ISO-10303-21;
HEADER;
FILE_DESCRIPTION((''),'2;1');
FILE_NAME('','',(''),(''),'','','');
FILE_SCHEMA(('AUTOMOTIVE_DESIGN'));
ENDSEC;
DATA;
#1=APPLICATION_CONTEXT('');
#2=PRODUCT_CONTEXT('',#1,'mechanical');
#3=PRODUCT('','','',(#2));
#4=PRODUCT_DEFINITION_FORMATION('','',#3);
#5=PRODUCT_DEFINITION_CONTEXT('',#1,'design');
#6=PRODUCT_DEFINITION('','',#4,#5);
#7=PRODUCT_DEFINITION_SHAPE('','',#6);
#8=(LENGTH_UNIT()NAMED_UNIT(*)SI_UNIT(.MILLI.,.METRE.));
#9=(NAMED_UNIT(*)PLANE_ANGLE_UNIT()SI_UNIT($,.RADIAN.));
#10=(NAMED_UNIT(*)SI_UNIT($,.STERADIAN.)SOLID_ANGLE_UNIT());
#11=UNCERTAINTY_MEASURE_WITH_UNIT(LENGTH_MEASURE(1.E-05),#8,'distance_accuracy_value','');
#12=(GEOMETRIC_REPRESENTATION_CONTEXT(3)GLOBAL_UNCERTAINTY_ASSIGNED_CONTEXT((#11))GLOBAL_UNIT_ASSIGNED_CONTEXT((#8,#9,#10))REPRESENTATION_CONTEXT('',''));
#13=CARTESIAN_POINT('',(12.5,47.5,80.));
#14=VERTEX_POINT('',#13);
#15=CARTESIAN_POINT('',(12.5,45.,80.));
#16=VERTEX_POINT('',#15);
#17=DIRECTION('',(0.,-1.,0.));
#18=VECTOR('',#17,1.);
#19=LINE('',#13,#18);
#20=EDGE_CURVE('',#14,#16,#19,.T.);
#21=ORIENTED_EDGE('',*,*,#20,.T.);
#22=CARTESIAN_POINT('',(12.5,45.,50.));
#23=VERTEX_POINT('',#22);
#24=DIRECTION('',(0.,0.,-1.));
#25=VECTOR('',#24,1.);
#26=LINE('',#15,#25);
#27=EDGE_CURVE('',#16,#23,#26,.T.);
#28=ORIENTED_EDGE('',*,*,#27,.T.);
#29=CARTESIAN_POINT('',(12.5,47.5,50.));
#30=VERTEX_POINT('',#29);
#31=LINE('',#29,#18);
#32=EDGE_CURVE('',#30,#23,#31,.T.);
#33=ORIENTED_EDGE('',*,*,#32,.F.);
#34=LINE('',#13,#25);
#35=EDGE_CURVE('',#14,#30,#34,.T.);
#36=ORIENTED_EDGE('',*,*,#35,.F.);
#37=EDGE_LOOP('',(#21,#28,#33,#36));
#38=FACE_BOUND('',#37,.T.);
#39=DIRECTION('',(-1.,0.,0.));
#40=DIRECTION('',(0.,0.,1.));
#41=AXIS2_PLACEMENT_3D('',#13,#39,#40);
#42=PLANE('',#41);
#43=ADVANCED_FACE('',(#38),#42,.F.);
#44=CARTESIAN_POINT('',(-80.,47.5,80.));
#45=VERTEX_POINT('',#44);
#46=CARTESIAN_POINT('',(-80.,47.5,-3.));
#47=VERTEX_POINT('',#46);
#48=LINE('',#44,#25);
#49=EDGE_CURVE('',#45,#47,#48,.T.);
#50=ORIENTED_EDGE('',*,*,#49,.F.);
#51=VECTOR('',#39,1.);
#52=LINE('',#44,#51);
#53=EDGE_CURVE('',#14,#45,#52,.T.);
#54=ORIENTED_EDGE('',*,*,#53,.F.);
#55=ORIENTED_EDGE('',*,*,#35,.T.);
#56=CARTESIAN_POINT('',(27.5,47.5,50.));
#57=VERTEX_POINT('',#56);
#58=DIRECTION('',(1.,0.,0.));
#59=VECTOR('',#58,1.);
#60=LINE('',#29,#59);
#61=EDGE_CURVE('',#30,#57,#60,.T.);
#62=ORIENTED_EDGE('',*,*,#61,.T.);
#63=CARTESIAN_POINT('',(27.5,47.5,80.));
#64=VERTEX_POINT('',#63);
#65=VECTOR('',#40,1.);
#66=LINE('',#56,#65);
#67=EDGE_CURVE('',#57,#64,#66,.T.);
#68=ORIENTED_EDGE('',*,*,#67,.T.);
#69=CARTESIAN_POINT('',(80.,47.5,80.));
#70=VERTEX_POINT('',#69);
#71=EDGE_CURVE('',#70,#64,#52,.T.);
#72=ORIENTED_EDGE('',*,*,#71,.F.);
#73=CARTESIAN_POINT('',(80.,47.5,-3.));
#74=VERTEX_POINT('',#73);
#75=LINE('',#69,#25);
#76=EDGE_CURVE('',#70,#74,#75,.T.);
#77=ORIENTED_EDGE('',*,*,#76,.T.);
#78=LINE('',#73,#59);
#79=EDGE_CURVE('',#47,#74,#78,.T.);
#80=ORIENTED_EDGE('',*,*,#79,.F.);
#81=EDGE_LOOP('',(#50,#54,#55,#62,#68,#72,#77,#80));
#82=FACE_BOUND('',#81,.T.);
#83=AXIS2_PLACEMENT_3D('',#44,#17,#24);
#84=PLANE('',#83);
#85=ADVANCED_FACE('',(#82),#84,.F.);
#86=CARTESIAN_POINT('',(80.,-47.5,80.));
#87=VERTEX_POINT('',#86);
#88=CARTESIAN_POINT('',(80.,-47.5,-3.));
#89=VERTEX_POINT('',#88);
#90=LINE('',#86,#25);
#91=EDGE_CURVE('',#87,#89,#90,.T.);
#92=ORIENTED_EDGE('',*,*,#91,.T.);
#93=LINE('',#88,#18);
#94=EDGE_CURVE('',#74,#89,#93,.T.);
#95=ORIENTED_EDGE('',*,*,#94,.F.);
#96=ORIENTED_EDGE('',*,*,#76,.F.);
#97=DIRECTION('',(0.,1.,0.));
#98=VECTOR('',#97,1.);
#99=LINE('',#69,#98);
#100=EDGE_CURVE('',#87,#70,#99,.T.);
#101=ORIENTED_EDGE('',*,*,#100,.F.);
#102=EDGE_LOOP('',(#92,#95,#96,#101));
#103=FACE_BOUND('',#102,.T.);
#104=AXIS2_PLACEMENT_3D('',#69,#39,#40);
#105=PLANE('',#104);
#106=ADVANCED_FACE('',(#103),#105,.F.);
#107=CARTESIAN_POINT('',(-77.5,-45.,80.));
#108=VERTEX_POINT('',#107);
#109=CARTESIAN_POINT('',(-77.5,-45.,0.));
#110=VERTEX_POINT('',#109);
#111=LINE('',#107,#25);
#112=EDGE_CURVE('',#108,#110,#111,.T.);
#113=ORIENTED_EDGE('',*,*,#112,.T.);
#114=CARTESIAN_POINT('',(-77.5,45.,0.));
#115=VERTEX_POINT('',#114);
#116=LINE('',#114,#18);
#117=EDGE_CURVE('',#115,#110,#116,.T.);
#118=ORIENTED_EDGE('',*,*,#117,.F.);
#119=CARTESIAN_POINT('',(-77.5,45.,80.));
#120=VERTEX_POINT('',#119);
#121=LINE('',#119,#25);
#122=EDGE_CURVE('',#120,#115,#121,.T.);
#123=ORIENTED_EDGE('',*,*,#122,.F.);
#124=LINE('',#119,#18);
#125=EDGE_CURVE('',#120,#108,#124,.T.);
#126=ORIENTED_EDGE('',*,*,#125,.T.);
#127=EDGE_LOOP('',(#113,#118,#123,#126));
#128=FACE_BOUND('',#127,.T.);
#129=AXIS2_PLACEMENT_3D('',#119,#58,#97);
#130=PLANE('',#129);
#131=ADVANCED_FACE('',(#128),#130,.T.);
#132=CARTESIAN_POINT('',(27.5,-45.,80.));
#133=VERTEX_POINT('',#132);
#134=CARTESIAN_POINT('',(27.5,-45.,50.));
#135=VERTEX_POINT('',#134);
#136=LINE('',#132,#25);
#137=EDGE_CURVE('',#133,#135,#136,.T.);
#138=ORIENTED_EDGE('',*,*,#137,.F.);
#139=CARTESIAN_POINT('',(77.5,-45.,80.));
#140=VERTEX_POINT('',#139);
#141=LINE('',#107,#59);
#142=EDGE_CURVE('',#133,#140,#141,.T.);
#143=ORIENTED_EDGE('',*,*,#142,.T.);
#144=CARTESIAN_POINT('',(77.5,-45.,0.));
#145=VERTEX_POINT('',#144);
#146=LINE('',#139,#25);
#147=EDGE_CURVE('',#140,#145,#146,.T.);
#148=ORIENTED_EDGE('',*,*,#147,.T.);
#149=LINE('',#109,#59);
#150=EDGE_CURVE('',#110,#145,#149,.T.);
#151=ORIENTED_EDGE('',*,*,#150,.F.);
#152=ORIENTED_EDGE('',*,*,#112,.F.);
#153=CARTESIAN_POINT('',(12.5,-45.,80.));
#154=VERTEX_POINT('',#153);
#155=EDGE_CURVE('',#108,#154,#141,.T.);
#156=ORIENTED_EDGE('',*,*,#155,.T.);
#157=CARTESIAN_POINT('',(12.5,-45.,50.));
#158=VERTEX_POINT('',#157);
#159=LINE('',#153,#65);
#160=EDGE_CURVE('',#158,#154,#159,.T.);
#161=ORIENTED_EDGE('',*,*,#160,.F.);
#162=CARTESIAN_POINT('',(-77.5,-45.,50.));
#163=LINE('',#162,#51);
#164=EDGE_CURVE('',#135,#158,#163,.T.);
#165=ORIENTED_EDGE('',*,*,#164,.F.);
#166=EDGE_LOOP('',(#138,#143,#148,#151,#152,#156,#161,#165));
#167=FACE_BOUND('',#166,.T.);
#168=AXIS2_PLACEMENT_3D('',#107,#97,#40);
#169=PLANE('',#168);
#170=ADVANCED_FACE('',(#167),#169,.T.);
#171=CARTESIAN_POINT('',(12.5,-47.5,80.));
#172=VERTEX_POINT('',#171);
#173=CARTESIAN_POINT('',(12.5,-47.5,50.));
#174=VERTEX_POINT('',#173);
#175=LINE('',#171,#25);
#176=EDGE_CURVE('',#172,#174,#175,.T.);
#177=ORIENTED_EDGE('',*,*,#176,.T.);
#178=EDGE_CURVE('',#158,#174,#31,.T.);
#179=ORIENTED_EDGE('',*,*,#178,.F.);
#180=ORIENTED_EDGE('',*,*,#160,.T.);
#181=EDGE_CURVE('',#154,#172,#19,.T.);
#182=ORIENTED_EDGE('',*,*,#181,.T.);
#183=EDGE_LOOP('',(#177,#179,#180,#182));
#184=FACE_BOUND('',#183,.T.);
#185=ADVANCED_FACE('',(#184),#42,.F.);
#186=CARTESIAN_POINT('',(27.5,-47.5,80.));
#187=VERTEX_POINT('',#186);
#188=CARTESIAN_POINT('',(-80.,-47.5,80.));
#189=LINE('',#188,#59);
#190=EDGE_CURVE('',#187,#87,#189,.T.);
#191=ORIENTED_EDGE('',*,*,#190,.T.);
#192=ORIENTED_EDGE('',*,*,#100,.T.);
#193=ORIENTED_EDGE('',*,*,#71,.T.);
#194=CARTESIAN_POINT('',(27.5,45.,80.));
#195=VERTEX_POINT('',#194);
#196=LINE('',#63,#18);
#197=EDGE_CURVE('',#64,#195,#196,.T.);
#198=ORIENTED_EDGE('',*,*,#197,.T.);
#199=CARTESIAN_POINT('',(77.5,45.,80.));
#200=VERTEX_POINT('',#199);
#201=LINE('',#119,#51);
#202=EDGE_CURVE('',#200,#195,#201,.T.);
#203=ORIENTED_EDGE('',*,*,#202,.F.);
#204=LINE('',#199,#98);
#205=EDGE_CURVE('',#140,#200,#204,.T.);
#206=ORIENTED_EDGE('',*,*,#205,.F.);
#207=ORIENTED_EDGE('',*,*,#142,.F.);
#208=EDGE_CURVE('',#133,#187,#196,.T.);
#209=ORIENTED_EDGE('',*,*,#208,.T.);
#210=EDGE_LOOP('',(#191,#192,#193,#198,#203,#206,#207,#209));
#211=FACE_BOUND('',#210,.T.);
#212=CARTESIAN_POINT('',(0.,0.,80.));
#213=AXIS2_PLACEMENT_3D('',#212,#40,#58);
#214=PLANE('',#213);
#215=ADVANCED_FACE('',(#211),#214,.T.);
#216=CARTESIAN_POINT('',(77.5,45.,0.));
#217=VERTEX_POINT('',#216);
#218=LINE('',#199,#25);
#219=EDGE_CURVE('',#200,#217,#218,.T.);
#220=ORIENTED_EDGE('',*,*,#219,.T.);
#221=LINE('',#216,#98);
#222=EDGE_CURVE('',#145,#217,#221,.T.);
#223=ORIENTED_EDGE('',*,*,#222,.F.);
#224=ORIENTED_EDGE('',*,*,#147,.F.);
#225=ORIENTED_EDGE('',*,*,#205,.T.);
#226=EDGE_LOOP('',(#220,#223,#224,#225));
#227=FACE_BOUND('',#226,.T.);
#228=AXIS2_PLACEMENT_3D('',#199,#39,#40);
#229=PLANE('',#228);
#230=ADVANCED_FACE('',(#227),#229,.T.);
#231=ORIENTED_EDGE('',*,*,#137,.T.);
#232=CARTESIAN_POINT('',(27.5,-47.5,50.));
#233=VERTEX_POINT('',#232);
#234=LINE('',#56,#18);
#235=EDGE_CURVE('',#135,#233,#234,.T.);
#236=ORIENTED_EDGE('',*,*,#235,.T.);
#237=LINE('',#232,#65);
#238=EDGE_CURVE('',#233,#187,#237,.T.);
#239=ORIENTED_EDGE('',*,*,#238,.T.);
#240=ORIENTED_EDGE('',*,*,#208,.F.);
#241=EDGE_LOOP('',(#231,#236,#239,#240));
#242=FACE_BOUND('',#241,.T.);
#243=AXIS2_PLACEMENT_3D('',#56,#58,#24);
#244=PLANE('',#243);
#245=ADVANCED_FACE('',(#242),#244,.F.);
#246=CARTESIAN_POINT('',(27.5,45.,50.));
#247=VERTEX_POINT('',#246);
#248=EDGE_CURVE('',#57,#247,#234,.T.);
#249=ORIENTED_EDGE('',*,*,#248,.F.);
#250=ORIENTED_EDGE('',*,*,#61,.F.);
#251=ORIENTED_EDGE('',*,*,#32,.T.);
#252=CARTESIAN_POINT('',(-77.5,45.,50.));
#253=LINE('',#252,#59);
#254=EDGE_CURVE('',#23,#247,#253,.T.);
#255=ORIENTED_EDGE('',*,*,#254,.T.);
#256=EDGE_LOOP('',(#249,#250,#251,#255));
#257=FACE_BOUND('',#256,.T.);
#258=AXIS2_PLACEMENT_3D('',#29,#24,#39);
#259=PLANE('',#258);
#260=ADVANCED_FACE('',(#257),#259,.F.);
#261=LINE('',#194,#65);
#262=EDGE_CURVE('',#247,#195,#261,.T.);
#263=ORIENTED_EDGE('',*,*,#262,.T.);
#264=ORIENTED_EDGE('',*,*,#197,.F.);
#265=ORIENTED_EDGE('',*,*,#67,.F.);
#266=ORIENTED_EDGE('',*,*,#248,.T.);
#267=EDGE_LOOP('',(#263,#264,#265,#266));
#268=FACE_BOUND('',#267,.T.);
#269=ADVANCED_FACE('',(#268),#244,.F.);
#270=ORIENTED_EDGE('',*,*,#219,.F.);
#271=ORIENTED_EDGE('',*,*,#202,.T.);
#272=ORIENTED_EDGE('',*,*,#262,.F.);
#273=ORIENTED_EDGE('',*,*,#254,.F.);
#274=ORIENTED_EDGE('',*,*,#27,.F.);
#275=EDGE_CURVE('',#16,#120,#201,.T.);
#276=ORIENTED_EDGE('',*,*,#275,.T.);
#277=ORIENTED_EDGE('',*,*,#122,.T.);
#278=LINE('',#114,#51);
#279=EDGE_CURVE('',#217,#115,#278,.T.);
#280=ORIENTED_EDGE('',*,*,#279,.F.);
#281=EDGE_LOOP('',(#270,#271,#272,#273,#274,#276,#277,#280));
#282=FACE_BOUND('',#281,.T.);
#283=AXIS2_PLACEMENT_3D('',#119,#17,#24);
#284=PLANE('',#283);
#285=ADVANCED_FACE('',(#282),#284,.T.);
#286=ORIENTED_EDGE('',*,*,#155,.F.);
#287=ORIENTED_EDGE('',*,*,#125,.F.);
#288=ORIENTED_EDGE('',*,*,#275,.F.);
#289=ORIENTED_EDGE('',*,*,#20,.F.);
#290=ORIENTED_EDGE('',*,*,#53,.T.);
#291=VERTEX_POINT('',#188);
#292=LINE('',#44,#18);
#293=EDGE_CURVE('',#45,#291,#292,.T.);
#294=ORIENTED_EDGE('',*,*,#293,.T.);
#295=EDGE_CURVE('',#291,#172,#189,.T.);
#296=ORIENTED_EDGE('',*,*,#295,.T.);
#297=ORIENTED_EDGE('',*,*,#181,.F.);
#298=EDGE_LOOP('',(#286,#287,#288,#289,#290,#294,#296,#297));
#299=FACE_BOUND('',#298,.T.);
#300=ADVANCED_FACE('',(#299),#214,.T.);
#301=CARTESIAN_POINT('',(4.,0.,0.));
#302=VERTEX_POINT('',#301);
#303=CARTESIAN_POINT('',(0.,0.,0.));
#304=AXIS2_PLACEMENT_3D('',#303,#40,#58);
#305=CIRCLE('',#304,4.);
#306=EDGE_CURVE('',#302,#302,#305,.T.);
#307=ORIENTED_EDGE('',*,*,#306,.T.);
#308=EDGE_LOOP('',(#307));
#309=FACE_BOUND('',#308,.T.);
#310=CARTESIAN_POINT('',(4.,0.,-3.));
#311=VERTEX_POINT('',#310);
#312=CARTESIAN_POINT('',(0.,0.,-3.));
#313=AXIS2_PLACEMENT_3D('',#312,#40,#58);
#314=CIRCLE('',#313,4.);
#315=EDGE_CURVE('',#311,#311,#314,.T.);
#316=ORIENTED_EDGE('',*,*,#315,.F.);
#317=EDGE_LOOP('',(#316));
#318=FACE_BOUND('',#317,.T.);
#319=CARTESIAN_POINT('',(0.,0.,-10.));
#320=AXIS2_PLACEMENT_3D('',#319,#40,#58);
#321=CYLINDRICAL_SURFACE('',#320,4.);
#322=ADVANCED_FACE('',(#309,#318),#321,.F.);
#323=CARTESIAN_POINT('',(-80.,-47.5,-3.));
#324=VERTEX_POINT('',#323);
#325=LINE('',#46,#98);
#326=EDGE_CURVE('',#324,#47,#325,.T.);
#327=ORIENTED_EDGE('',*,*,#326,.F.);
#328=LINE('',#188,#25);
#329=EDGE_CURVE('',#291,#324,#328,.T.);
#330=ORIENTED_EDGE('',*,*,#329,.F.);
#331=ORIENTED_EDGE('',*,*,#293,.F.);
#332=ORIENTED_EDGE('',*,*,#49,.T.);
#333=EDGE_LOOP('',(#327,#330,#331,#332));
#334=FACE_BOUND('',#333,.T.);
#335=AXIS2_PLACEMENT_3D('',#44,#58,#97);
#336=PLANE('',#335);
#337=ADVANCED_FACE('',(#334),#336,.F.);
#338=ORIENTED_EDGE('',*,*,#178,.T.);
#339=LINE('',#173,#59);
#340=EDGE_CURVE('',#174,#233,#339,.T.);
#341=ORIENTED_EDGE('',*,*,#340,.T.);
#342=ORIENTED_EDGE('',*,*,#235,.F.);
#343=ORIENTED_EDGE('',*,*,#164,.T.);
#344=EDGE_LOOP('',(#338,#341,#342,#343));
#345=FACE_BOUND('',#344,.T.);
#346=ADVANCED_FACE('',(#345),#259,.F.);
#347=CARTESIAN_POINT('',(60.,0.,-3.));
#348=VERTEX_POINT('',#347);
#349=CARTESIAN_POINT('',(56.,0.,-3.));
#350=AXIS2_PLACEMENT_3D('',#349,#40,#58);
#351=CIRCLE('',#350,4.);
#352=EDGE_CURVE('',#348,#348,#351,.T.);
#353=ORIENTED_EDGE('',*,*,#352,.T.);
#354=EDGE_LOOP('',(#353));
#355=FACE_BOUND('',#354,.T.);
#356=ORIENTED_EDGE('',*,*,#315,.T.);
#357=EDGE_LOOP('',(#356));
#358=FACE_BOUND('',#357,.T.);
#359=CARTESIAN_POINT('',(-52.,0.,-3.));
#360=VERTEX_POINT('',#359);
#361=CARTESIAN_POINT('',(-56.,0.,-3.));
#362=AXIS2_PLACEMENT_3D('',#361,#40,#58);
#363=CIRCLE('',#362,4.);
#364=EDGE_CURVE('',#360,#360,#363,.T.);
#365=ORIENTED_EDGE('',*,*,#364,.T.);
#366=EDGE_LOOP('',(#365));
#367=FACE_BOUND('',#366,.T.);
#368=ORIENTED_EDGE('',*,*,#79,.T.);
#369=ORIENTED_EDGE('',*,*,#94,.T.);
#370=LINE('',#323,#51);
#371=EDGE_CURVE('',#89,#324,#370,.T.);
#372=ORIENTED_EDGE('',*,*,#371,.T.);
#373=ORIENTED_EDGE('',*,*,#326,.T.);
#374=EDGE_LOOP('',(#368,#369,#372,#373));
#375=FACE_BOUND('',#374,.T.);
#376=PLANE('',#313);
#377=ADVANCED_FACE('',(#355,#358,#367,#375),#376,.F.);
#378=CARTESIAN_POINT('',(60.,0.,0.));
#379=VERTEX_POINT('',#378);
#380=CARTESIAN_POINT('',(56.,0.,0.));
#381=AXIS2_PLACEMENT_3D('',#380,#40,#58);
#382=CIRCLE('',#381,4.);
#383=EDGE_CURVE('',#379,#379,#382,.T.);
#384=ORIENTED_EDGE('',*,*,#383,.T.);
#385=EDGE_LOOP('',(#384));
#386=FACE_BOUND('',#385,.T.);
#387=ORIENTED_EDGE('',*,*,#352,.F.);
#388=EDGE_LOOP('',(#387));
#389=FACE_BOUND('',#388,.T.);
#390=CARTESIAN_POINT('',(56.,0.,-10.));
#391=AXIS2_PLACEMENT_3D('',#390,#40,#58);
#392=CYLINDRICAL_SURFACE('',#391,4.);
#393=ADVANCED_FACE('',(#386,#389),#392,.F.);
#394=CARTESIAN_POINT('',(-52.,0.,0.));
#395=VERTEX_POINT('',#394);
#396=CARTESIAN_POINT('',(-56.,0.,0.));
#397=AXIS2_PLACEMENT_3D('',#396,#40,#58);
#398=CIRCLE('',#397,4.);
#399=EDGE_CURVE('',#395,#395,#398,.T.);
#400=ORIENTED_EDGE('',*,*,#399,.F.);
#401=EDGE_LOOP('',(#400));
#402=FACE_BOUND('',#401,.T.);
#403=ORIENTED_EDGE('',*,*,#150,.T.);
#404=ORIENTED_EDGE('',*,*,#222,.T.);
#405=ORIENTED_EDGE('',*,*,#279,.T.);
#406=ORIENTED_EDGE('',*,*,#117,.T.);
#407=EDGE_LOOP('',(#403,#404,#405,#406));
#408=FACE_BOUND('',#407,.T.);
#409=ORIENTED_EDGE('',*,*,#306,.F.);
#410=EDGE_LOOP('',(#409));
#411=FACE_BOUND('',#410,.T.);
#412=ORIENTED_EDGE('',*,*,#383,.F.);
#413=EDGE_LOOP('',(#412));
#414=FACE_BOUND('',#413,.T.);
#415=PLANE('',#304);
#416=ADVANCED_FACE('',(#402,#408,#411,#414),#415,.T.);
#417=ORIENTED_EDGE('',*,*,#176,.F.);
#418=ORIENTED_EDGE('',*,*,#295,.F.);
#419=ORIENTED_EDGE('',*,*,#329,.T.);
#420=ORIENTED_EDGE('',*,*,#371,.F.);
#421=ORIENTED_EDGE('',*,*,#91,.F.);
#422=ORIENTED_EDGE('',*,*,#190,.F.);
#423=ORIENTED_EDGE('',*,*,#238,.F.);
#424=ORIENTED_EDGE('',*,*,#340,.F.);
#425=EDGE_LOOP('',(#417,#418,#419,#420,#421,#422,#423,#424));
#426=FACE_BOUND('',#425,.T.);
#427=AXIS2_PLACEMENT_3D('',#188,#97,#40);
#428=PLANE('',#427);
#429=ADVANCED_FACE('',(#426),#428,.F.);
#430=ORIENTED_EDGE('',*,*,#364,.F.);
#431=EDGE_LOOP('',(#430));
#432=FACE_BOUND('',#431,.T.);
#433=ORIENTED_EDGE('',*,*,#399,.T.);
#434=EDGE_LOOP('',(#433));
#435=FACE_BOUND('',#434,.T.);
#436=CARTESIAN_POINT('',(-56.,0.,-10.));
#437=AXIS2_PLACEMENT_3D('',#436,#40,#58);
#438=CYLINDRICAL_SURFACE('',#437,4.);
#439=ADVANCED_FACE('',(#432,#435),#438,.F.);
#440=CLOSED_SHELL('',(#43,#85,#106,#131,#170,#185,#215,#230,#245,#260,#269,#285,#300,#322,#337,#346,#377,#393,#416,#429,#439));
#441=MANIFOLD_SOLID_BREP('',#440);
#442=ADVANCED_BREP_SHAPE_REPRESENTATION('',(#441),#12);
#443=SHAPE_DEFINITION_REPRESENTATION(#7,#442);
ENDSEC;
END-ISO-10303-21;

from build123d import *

# Parameters (mm, degrees)
SKETCH_1_W          = 160
SKETCH_1_H          = 95
SKETCH_1_W_2        = 155
SKETCH_1_H_2        = 90
EXTRUDE_1_DEPTH     = 80
SKETCH_3_W          = 160
SKETCH_3_H          = 95
EXTRUDE_2_DEPTH     = 3
SKETCH_4_R          = 4
CUT_EXTRUDE_1_DEPTH = 10
SKETCH_5_W          = 15
SKETCH_5_H          = 30
CUT_EXTRUDE_2_DEPTH = 148.732867027


with BuildPart() as part:
    # ｽｹｯﾁ1 → ﾎﾞｽ - 押し出し1 (new body)
    with BuildSketch(Plane.XY):
        Rectangle(SKETCH_1_W, SKETCH_1_H)
        Rectangle(SKETCH_1_W_2, SKETCH_1_H_2, mode=Mode.SUBTRACT)
    extrude(amount=EXTRUDE_1_DEPTH)

    # ｽｹｯﾁ3 → ﾎﾞｽ - 押し出し2 (add)
    with BuildSketch(Plane(origin=(0, 0, 0), x_dir=(-1, 0, 0), z_dir=(0, 0, -1))):
        Rectangle(SKETCH_3_W, SKETCH_3_H)
    extrude(amount=EXTRUDE_2_DEPTH)

    # ｽｹｯﾁ4 → ｶｯﾄ - 押し出し1 (cut)
    with BuildSketch(Plane.XY):
        Circle(SKETCH_4_R)
        with Locations((-56, 0)):
            Circle(SKETCH_4_R)
        with Locations((56, 0)):
            Circle(SKETCH_4_R)
    extrude(amount=-CUT_EXTRUDE_1_DEPTH, mode=Mode.SUBTRACT)

    # ｽｹｯﾁ5 → ｶｯﾄ - 押し出し2 (cut, through all)
    with BuildSketch(Plane.XZ.offset(47.5)):
        with Locations((20, 65)):
            Rectangle(SKETCH_5_W, SKETCH_5_H)
    extrude(amount=-CUT_EXTRUDE_2_DEPTH, mode=Mode.SUBTRACT)


solid = part.part
